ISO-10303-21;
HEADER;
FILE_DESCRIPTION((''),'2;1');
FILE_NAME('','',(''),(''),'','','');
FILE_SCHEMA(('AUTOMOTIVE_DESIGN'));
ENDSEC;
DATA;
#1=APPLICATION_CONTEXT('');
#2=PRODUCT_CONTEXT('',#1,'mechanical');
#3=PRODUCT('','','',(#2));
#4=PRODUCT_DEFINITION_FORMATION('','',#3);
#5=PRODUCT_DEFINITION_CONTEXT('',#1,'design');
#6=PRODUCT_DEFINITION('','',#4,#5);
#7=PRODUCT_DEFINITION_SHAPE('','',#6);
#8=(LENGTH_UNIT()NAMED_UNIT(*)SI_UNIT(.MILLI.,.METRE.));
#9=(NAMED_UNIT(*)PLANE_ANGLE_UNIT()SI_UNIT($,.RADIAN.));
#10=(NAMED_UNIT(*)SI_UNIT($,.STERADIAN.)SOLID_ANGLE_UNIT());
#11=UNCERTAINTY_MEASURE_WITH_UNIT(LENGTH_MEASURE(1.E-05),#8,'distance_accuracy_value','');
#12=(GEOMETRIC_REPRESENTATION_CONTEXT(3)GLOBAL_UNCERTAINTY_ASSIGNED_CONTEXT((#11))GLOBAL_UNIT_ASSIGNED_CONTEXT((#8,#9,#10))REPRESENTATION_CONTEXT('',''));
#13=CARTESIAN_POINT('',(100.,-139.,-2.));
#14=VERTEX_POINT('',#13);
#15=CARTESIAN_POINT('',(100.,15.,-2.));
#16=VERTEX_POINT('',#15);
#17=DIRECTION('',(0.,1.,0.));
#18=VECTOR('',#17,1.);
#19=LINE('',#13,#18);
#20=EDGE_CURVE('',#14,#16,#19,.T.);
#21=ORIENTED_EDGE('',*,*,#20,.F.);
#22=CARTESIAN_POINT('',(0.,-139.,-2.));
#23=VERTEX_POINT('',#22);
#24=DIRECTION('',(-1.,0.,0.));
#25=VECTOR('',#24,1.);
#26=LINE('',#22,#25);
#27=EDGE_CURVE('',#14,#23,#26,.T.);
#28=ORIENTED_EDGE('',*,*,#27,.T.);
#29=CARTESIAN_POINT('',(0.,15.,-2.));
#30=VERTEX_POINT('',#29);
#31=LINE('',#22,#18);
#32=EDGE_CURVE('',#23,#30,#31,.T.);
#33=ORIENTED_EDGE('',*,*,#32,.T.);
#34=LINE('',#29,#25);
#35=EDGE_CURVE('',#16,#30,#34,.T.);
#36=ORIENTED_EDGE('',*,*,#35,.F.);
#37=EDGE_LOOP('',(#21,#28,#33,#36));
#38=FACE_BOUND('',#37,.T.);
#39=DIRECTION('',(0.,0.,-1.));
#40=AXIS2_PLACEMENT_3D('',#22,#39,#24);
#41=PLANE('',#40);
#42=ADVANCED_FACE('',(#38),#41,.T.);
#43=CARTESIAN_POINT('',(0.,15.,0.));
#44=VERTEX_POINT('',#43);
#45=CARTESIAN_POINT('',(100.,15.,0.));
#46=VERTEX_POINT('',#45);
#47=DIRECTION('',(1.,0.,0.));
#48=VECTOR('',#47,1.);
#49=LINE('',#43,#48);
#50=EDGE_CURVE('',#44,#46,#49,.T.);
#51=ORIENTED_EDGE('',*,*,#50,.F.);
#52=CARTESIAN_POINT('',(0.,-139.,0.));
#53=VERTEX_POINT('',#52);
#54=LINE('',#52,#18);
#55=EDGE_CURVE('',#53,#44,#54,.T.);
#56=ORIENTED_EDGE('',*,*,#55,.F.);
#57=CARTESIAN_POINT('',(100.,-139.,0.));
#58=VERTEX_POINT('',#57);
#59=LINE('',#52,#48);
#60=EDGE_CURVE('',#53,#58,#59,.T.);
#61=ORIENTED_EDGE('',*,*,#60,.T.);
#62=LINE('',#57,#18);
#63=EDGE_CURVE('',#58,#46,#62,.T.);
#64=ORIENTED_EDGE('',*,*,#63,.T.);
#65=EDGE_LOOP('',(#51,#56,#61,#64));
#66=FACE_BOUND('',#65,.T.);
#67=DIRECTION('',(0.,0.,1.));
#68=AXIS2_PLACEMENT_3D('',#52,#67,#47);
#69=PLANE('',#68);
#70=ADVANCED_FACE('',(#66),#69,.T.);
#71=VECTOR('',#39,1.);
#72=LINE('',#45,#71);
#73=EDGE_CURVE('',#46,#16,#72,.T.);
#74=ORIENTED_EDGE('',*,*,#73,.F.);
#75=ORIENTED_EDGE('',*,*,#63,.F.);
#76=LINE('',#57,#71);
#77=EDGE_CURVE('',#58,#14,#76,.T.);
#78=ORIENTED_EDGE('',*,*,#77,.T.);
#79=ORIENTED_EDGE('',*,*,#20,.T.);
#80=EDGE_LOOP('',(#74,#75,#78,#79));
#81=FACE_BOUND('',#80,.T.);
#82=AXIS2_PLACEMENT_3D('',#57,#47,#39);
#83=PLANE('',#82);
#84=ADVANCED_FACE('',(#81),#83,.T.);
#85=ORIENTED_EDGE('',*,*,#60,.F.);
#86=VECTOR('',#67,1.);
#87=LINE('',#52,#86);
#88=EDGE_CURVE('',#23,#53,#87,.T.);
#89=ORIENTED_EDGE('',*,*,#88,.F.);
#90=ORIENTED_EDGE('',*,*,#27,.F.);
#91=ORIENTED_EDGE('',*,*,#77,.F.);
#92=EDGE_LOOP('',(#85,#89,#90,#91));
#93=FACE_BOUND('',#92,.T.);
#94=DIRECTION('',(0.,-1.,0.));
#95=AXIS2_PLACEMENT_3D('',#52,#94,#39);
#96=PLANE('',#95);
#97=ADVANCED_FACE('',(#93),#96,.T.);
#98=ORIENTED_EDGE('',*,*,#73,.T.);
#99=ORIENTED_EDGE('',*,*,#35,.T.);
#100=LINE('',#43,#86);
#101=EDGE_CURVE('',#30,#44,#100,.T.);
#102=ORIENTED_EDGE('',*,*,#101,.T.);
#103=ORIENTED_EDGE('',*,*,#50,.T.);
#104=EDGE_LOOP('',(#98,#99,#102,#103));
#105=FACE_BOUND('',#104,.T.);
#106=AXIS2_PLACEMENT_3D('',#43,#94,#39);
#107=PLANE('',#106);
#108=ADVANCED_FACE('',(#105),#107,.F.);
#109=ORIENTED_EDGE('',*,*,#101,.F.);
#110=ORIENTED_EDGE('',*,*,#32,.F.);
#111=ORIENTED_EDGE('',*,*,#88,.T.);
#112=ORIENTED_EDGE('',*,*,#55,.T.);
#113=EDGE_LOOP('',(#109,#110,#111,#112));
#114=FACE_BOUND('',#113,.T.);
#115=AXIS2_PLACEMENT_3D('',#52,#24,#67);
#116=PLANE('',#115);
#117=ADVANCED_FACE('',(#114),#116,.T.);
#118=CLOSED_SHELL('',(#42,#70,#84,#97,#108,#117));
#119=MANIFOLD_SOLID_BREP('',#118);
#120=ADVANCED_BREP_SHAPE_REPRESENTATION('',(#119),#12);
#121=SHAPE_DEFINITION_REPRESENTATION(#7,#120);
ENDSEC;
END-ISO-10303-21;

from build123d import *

# Parameters (mm, degrees)
BOSS_EXTRUDE1_DEPTH      = 15
BOSS_EXTRUDE1_DEPTH_BACK = 139
SKETCH1_W                = 100
SKETCH1_H                = 2


with BuildPart() as part:
    # Sketch1 → Boss-Extrude1 (new, two sides: drawn at the far end of the back side and taken through both)
    with BuildSketch(Plane(origin=(0, 0, 0), x_dir=(1, 0, 0), z_dir=(0, 1, 0)).offset(-BOSS_EXTRUDE1_DEPTH_BACK)):
        with Locations((50, 1)):
            Rectangle(SKETCH1_W, SKETCH1_H)
    extrude(amount=BOSS_EXTRUDE1_DEPTH + BOSS_EXTRUDE1_DEPTH_BACK)


solid = part.part
